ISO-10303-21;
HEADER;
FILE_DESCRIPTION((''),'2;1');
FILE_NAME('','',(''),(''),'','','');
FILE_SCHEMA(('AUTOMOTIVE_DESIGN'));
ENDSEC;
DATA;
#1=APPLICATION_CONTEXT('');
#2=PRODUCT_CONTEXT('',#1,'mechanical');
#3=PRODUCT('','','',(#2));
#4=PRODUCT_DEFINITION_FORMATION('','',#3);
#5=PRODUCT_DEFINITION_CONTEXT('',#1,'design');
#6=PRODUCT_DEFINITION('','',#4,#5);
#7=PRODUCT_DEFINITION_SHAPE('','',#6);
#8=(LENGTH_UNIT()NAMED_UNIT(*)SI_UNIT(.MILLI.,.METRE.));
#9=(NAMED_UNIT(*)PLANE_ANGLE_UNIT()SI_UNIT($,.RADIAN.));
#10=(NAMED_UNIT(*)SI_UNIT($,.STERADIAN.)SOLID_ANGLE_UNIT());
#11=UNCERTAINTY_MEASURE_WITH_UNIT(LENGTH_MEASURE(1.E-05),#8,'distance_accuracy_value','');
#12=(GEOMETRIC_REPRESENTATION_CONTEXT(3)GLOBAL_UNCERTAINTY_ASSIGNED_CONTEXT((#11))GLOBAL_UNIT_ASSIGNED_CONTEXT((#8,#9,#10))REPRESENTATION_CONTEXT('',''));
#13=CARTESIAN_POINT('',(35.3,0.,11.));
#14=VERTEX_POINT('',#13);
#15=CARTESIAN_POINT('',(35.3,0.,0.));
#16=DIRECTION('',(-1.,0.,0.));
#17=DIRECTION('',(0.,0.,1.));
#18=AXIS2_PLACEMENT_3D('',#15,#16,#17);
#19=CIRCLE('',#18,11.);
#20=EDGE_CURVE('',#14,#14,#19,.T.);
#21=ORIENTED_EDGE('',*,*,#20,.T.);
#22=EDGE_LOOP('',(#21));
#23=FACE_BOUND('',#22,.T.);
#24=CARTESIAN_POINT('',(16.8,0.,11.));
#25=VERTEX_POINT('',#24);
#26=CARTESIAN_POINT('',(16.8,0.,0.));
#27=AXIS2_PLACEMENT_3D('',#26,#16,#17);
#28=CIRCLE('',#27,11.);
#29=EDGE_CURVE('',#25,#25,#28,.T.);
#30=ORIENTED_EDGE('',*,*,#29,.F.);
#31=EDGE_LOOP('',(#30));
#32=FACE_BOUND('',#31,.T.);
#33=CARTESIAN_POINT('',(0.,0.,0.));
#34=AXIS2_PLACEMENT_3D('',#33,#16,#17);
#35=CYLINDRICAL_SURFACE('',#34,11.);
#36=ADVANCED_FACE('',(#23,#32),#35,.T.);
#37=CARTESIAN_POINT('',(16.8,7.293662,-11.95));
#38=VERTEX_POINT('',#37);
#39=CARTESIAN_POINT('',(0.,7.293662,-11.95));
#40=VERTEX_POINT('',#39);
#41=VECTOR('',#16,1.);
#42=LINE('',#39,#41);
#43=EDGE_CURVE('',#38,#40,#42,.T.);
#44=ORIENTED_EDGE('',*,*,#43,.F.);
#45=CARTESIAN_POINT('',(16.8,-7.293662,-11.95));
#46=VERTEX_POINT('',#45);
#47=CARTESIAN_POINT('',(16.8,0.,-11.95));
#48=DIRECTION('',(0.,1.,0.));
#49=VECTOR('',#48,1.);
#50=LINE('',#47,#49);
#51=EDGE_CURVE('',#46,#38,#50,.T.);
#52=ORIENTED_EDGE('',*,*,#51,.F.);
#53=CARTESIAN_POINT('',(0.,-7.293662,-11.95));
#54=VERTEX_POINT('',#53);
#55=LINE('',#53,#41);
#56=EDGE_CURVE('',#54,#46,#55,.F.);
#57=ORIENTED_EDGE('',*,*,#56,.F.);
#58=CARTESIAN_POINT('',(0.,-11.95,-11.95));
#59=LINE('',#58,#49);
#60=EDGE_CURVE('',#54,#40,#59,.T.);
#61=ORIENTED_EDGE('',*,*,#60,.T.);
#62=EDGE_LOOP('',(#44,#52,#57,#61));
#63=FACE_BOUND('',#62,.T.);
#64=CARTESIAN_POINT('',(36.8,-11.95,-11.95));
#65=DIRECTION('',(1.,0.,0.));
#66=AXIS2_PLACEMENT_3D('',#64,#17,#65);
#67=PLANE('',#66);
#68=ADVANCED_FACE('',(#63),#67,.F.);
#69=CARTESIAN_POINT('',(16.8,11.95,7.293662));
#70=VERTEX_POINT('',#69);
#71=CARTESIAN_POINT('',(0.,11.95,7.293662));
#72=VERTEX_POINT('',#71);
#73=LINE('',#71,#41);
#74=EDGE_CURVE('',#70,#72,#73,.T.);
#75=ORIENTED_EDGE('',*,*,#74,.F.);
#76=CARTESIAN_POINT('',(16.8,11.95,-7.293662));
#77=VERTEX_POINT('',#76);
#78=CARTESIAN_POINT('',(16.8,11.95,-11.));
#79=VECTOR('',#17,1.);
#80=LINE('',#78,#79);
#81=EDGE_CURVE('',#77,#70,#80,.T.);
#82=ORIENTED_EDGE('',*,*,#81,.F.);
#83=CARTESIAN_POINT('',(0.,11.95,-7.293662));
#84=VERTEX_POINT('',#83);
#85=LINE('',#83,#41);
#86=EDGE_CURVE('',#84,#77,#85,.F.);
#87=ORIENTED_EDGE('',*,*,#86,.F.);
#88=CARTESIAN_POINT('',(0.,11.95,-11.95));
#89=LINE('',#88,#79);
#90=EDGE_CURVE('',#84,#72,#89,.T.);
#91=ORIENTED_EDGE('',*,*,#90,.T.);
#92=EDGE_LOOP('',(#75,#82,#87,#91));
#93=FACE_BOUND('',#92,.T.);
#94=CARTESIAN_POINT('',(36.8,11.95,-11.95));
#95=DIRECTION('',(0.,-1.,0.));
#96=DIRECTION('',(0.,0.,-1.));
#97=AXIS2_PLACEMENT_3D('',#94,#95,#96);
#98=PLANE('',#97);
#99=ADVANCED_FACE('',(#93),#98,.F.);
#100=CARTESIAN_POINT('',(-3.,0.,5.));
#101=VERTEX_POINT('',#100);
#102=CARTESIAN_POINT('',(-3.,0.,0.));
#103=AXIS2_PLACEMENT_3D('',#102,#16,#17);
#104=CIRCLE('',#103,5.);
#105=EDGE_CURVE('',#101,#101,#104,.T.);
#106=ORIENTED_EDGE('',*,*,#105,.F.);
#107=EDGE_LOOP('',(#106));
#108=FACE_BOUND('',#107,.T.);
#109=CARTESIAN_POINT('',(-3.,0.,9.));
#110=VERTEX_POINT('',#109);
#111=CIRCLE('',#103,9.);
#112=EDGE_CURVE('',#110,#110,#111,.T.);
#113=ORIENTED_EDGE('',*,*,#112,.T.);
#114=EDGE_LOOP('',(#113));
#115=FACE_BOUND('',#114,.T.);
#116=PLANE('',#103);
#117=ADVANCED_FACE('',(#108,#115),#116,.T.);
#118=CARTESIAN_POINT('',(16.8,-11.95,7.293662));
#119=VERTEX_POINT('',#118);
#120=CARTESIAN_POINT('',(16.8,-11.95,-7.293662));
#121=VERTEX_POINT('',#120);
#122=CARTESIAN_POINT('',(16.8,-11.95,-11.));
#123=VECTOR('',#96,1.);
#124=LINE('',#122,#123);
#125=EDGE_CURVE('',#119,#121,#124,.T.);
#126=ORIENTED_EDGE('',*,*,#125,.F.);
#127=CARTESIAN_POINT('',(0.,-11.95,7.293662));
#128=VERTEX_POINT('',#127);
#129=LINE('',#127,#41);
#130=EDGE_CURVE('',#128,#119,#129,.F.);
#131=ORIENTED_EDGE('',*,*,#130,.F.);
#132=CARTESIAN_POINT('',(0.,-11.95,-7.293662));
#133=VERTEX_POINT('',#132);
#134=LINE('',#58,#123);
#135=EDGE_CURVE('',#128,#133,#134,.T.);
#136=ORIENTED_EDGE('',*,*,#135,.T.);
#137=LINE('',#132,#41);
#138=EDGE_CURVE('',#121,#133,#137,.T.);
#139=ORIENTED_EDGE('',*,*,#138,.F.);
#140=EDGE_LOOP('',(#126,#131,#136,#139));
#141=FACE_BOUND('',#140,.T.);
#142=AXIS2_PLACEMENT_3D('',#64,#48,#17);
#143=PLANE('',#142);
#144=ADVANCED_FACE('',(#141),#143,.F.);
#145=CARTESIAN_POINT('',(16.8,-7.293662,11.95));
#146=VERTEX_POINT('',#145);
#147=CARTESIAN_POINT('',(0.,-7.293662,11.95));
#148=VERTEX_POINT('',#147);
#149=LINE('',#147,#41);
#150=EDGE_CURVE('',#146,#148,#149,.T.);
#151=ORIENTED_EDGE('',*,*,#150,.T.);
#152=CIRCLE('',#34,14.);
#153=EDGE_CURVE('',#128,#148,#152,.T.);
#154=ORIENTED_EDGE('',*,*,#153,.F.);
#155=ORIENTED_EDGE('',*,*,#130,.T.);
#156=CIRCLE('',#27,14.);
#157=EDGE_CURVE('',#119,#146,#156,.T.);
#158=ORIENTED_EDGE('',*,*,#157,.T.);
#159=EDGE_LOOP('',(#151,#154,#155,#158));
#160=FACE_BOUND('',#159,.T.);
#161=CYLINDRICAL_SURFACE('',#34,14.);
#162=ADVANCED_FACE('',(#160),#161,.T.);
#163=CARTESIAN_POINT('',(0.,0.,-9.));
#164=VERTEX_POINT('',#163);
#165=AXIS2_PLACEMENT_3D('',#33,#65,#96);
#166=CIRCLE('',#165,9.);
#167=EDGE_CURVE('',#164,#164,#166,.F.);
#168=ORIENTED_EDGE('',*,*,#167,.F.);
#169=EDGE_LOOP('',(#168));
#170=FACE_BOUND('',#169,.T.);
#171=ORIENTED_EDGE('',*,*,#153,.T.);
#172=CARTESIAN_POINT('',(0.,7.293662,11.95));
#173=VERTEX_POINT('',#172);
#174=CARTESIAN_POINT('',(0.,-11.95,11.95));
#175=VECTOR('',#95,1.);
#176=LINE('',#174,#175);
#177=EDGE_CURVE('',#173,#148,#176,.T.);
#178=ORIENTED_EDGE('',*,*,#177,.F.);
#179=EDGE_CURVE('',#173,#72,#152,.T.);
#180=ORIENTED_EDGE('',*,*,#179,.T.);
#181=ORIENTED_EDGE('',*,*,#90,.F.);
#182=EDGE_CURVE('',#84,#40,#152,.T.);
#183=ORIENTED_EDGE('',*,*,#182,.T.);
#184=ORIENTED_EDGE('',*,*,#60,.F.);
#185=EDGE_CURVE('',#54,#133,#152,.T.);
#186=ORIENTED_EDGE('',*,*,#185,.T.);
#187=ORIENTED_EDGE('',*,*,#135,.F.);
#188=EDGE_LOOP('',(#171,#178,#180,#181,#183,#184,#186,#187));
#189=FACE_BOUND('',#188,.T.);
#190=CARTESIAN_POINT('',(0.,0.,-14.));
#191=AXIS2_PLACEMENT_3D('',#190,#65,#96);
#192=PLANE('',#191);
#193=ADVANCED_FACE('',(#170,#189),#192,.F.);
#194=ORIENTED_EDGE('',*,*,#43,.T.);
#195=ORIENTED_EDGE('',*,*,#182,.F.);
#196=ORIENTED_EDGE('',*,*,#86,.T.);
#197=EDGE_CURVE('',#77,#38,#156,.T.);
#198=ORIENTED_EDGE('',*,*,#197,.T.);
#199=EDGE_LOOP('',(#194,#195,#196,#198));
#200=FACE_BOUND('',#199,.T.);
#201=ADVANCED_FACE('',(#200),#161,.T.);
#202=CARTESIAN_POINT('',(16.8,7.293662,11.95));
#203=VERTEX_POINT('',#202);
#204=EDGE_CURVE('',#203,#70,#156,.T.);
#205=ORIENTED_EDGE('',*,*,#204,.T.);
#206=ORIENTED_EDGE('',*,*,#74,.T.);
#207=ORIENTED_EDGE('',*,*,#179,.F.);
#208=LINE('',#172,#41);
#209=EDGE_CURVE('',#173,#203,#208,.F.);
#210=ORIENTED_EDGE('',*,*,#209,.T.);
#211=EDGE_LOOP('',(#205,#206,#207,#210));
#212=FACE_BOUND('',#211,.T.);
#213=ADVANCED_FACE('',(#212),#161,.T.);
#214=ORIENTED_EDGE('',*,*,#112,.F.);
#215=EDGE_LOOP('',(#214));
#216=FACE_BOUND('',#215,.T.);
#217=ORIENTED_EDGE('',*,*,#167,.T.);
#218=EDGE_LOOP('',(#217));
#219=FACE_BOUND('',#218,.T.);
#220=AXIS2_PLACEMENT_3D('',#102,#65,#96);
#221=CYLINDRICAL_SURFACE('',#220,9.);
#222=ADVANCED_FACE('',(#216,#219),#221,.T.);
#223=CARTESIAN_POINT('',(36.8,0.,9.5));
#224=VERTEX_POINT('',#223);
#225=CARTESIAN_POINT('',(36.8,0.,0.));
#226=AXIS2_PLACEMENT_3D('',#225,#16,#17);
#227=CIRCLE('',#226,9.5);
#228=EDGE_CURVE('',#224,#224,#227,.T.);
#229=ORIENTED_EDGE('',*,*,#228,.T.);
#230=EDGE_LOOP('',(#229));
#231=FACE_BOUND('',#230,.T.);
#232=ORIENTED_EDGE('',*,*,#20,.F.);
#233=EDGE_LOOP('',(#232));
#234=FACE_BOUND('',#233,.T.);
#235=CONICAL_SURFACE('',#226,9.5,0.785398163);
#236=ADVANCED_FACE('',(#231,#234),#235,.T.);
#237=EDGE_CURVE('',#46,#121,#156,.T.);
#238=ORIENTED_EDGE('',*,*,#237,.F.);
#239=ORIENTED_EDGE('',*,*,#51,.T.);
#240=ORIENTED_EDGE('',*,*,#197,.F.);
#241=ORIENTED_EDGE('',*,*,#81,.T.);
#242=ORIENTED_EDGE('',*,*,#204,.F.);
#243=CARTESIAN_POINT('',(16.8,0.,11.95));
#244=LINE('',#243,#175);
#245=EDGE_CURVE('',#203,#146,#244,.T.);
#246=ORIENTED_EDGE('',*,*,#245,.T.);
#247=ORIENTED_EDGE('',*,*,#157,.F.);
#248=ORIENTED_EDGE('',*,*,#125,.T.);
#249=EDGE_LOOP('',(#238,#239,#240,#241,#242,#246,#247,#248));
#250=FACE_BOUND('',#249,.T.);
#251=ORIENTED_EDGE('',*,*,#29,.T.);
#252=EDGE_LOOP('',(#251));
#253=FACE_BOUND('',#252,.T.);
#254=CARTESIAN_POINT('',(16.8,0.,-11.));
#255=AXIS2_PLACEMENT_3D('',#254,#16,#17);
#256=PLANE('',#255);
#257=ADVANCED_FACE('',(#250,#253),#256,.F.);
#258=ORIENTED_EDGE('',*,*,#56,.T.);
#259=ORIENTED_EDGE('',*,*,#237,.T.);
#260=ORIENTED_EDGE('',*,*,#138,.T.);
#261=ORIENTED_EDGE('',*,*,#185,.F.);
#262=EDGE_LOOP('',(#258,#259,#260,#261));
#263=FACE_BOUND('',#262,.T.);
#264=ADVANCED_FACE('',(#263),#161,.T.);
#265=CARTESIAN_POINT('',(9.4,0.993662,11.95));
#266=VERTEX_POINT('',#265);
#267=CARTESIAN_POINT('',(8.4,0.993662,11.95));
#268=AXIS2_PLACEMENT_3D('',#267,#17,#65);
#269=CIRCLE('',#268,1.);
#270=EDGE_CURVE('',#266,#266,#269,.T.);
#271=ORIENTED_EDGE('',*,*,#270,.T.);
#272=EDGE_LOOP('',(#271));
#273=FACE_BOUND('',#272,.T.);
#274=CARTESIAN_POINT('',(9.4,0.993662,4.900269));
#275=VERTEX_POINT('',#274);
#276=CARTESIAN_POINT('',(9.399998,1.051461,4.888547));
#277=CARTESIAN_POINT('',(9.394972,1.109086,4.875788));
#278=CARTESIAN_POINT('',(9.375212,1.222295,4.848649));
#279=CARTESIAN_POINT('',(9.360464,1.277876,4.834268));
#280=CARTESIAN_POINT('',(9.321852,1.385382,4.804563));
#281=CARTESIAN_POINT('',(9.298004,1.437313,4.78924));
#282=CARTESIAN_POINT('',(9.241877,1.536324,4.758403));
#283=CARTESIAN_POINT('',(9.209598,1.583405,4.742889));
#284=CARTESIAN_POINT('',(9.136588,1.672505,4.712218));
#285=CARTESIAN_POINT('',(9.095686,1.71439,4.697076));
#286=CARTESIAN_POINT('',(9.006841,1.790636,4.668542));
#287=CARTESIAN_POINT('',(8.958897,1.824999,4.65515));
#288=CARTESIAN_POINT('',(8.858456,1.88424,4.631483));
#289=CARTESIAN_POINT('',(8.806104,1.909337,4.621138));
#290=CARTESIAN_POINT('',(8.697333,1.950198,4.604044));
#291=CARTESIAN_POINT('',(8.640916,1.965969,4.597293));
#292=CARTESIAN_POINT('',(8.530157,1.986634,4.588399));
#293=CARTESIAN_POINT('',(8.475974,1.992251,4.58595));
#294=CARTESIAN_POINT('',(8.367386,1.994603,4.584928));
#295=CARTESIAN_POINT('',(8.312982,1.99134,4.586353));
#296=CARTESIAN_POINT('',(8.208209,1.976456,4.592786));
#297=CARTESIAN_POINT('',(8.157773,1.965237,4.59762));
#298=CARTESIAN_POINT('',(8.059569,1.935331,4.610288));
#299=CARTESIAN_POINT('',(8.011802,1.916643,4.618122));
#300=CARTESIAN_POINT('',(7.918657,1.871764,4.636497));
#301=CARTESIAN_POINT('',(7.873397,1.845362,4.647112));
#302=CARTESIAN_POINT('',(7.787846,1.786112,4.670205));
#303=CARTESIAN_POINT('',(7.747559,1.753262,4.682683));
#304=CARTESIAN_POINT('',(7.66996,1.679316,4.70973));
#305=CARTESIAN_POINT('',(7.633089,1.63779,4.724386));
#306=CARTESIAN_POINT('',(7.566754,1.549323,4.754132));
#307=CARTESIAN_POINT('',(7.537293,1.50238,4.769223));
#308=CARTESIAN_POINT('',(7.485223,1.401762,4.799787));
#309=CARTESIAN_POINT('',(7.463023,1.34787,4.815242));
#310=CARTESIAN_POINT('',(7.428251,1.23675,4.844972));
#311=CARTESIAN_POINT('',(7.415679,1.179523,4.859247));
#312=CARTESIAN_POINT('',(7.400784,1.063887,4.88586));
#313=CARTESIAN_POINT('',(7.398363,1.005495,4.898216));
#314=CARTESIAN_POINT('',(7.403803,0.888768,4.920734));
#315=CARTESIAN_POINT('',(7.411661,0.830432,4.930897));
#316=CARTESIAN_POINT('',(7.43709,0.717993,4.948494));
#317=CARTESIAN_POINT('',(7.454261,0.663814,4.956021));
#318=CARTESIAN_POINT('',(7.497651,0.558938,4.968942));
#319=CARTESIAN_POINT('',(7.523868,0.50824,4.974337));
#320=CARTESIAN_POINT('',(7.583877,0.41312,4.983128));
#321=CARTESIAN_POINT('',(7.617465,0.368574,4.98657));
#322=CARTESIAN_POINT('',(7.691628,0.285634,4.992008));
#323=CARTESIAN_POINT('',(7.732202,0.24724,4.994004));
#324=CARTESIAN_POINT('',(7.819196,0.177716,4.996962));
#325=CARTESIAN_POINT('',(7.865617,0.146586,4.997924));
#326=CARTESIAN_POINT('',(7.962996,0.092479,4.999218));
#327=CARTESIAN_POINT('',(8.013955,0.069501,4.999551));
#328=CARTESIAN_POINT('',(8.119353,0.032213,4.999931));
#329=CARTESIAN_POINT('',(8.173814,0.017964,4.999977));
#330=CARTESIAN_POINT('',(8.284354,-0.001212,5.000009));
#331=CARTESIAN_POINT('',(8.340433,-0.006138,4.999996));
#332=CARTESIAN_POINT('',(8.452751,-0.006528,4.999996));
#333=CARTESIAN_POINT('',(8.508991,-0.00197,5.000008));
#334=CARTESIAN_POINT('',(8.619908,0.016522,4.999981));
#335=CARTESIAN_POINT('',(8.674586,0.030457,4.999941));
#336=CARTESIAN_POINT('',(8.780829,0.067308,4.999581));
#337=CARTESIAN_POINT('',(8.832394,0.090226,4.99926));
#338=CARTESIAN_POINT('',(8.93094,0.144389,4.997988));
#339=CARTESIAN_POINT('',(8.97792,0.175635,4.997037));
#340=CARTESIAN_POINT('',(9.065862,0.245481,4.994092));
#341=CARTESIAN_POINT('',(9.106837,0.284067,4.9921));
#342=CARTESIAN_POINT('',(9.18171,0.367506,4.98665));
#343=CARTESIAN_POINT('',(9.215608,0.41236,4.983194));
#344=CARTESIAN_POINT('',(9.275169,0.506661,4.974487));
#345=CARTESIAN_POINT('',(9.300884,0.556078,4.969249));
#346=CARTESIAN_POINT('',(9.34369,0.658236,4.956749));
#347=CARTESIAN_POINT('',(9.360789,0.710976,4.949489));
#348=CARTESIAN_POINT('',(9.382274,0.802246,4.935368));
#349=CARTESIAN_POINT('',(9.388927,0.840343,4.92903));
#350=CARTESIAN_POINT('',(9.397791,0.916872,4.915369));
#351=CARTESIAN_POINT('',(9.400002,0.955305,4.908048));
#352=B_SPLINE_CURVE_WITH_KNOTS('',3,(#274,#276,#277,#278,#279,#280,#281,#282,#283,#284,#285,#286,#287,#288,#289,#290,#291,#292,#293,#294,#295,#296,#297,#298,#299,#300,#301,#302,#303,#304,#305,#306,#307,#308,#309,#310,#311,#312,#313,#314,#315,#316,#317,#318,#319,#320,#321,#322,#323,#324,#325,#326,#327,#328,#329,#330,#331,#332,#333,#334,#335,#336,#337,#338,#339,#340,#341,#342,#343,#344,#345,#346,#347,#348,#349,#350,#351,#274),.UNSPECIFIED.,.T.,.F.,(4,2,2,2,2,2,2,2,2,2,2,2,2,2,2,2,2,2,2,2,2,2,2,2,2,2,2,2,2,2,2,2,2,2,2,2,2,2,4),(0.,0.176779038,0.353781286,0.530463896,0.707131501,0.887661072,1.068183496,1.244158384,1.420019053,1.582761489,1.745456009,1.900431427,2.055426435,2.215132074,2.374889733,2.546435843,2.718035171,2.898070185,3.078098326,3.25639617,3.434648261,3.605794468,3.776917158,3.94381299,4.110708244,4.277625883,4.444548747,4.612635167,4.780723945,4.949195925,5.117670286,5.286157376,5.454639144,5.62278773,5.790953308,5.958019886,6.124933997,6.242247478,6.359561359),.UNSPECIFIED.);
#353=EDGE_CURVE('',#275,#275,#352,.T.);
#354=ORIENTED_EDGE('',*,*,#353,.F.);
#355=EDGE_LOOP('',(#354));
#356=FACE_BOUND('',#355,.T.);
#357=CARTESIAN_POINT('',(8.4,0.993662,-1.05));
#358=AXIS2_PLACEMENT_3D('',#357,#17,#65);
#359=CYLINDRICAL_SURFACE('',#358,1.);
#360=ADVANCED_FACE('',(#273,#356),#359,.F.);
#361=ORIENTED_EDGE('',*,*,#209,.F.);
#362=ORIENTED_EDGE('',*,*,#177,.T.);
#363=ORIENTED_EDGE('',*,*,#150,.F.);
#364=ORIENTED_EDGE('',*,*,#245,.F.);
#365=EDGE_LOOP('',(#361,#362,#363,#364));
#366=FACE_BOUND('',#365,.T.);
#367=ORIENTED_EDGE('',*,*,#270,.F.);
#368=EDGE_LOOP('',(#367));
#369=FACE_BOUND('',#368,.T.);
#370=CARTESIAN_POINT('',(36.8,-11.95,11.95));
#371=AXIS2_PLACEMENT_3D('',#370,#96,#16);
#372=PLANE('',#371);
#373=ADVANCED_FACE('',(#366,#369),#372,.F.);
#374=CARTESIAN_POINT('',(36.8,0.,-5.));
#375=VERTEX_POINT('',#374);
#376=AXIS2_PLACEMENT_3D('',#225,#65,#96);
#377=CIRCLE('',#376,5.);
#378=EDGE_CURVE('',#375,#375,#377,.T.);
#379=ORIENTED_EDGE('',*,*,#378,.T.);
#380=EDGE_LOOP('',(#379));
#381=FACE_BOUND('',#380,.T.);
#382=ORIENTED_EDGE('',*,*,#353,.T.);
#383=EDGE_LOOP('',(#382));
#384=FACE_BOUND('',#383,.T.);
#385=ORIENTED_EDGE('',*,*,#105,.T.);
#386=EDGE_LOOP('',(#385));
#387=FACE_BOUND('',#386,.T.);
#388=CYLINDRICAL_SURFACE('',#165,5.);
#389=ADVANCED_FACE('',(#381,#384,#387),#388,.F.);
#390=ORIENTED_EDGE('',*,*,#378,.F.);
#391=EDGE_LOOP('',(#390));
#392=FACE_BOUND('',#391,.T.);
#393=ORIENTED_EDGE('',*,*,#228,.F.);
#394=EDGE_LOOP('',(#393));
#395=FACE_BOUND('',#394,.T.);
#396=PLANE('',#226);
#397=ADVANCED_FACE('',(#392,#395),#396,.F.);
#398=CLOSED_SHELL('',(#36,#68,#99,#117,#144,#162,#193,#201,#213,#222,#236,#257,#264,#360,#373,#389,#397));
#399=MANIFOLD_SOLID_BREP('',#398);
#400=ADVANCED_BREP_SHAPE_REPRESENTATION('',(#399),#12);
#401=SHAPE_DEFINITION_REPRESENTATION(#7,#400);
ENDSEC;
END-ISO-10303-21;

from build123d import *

# Parameters (mm, degrees)
CROQUIS2_OUTSIDE_W      = 40.812
CROQUIS2_OUTSIDE_H      = 40.812
CROQUIS2_OUTSIDE_W_2    = 23.9
CROQUIS2_OUTSIDE_H_2    = 23.9
CORTAR_EXTRUIR1_DEPTH   = 42.788036566
CROQUIS4_R              = 5
CORTAR_EXTRUIR2_DEPTH   = 41.494999691
CROQUIS3_R              = 1
CORTAR_EXTRUIR3_DEPTH   = 13
CROQUIS5_R              = 9
CROQUIS5_R_2            = 5
SALIENTE_EXTRUIR1_DEPTH = 3


with BuildPart() as part:
    # Croquis1 → Revolución1 (revolve)
    with BuildSketch(Plane(origin=(0, 0, 0), x_dir=(1, 0, 0), z_dir=(0, 1, 0)), mode=Mode.PRIVATE) as revoluci_n1_sk:
        Polygon((0, 0), (36.8, 0), (36.8, 9.5), (35.3, 11), (16.8, 11), (16.8, 14), (0, 14), align=None)
    revolve(revoluci_n1_sk.sketch.rotate(Axis((0, 0, 0), (1, 0, 0)), 180), axis=Axis((0, 0, 0), (1, 0, 0)))

    # Croquis2 outside → Cortar-Extruir1 (cut, through all)
    with BuildSketch(Plane(origin=(0, 0, 0), x_dir=(0, 0, -1), z_dir=(1, 0, 0))):
        Rectangle(CROQUIS2_OUTSIDE_W, CROQUIS2_OUTSIDE_H)
        Rectangle(CROQUIS2_OUTSIDE_W_2, CROQUIS2_OUTSIDE_H_2, mode=Mode.SUBTRACT)
    extrude(amount=CORTAR_EXTRUIR1_DEPTH, mode=Mode.SUBTRACT)

    # Croquis4 → Cortar-Extruir2 (cut, through all)
    with BuildSketch(Plane(origin=(36.8, 0, 0), x_dir=(0, 0, -1), z_dir=(1, 0, 0))):
        Circle(CROQUIS4_R)
    extrude(amount=-CORTAR_EXTRUIR2_DEPTH, mode=Mode.SUBTRACT)

    # Croquis3 → Cortar-Extruir3 (cut)
    with BuildSketch(Plane.XY.offset(11.95)):
        with Locations((8.4, 0.993661632)):
            Circle(CROQUIS3_R)
    extrude(amount=-CORTAR_EXTRUIR3_DEPTH, mode=Mode.SUBTRACT)

    # Croquis5 → Saliente-Extruir1 (add)
    with BuildSketch(Plane.ZY):
        with Locations(Location((0, 0, 0), (0, 0, 180))):
            Circle(CROQUIS5_R)
        with Locations(Location((0, 0, 0), (0, 0, 180))):
            Circle(CROQUIS5_R_2, mode=Mode.SUBTRACT)
    extrude(amount=SALIENTE_EXTRUIR1_DEPTH)


solid = part.part
